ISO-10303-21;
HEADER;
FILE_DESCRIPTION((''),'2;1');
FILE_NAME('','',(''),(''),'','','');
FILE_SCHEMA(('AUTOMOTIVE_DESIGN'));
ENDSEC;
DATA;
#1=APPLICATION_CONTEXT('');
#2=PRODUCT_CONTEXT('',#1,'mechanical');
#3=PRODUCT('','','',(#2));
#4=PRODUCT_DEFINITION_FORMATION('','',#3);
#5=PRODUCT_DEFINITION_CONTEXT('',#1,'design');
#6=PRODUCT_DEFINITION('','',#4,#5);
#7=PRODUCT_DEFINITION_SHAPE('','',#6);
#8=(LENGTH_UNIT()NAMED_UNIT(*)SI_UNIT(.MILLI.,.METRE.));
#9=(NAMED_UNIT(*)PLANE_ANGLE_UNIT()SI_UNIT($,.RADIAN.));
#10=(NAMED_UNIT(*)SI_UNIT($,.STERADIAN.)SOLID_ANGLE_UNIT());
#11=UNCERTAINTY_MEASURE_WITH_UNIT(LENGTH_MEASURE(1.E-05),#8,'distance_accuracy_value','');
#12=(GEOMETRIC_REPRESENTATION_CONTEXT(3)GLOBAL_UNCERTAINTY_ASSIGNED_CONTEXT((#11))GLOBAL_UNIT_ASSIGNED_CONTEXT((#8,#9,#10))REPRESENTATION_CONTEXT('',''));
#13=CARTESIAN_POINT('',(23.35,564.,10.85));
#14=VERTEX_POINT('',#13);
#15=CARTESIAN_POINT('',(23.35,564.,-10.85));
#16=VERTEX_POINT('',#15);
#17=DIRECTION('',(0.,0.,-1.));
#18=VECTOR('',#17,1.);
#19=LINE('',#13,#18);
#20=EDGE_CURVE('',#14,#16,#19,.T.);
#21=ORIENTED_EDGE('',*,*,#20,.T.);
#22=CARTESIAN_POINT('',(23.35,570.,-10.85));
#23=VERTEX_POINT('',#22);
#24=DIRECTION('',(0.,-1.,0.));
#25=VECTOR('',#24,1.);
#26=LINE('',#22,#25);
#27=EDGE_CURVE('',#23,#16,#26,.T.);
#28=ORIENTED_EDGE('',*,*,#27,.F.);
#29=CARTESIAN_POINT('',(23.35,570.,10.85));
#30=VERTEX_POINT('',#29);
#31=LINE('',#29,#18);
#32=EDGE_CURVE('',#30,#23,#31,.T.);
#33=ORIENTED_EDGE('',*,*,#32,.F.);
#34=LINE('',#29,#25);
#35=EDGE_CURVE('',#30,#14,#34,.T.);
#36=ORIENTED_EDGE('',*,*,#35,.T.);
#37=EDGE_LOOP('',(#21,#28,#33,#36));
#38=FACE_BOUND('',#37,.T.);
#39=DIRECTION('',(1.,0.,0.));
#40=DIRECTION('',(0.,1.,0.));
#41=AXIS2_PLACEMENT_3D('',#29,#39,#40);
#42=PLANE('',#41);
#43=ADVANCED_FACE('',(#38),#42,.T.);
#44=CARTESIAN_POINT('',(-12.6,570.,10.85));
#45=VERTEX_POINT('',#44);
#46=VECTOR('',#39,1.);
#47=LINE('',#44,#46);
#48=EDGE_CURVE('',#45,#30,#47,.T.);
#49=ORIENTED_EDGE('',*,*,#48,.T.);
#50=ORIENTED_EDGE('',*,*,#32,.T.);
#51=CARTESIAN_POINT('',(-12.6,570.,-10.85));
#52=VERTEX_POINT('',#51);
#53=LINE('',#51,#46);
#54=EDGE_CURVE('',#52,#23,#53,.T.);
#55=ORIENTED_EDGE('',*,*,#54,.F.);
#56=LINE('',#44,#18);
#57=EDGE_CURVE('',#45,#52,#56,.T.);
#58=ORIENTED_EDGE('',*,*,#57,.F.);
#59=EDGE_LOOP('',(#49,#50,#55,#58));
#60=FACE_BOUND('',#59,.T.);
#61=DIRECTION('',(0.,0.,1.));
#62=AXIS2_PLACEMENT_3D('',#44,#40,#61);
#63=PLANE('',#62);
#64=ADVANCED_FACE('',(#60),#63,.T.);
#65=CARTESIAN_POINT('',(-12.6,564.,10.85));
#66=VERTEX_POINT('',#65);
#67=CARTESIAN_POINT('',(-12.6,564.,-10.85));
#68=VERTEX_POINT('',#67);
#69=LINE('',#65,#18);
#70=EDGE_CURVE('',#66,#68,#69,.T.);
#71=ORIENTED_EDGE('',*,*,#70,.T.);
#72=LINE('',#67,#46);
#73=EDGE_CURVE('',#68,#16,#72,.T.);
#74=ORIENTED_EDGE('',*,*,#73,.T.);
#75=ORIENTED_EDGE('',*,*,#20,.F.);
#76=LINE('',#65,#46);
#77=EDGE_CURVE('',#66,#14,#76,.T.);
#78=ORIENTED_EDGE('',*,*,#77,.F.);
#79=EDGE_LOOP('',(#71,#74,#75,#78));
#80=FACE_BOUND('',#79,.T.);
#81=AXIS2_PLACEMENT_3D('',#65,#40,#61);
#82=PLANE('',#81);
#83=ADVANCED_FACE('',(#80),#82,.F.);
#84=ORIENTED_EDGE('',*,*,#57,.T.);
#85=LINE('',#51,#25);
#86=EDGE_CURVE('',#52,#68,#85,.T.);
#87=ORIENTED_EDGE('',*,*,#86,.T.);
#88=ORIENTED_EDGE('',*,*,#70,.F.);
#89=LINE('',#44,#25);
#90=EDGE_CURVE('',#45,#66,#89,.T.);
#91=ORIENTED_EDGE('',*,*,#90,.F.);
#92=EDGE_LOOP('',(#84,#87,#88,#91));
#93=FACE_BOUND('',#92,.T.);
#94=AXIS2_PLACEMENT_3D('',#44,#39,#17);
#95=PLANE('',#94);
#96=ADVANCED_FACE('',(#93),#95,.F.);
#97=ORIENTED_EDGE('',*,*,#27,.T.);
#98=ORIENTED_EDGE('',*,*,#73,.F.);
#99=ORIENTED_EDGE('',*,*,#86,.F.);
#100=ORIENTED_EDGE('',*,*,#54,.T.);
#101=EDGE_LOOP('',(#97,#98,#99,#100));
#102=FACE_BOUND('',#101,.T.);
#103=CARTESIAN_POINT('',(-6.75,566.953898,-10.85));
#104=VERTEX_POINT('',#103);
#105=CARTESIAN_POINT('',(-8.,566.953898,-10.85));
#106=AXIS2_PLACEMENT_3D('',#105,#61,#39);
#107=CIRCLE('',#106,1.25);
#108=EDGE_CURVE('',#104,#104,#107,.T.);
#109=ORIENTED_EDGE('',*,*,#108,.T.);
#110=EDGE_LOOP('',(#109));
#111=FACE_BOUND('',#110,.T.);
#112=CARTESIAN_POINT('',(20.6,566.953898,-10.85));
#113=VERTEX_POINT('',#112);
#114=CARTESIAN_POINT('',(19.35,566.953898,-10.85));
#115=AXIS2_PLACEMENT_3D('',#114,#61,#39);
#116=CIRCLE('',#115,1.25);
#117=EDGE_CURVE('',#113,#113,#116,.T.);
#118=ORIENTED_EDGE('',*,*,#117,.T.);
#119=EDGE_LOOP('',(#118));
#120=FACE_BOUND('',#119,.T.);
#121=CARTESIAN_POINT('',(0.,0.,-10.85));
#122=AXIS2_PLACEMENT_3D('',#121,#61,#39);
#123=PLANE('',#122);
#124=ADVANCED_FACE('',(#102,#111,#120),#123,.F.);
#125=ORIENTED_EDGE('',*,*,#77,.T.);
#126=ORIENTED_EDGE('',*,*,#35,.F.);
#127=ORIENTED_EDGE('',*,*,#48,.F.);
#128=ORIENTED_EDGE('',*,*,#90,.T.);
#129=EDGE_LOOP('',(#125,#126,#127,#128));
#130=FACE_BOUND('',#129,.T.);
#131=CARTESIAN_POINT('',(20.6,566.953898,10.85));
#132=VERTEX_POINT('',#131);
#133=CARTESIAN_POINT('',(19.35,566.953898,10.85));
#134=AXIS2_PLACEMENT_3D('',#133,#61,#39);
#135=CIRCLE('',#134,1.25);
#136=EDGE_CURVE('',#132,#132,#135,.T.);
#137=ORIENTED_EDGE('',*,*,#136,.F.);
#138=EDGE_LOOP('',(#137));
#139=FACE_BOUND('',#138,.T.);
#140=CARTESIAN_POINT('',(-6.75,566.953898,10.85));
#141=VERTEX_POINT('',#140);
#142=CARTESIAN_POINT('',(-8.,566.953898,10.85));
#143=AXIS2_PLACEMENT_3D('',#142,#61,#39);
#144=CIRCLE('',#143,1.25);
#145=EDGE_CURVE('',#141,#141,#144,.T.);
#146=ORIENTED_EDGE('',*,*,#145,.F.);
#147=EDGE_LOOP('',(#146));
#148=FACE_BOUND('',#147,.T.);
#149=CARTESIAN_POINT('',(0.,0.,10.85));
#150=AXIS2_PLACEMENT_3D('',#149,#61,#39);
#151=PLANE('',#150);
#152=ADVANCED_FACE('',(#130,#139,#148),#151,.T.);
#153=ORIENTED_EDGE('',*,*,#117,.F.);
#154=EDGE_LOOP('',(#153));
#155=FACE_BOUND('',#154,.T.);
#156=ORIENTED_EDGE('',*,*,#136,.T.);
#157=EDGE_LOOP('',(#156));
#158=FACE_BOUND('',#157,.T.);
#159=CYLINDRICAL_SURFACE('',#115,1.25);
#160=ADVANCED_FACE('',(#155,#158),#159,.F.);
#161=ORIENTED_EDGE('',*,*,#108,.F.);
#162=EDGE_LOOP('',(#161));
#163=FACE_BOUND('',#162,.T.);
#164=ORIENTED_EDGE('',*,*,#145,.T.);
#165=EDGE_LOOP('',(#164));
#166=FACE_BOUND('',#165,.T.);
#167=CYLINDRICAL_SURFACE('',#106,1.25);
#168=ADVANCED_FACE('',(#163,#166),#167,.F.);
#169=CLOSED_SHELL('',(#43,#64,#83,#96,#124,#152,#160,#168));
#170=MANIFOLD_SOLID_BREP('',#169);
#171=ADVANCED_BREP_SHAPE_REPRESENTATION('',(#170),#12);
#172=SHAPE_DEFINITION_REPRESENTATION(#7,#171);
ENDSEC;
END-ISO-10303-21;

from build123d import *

# Parameters (mm, degrees)
SIDE_W                               = 35.95
SIDE_H                               = 6
AUFSATZ_LINEAR_AUSTRAGEN1_DEPTH      = 10.85
AUFSATZ_LINEAR_AUSTRAGEN1_DEPTH_BACK = 10.85
SKIZZE5_R                            = 1.25
SCHNITT_LINEAR_AUSTRAGEN1_DEPTH      = 11.85
SCHNITT_LINEAR_AUSTRAGEN1_DEPTH_BACK = 11.85


with BuildPart() as part:
    # Side → Aufsatz-Linear austragen1 (new body, two sides)
    with BuildSketch(Plane.XY) as aufsatz_linear_austragen1_sk:
        with Locations((5.375, 567)):
            Rectangle(SIDE_W, SIDE_H)
    extrude(amount=AUFSATZ_LINEAR_AUSTRAGEN1_DEPTH)
    extrude(aufsatz_linear_austragen1_sk.sketch, amount=-AUFSATZ_LINEAR_AUSTRAGEN1_DEPTH_BACK)

    # Skizze5 → Schnitt-Linear austragen1 (cut, two sides)
    with BuildSketch(Plane.XY) as schnitt_linear_austragen1_sk:
        with Locations((-8, 566.953897676)):
            Circle(SKIZZE5_R)
        with Locations((19.35, 566.953897676)):
            Circle(SKIZZE5_R)
    extrude(amount=SCHNITT_LINEAR_AUSTRAGEN1_DEPTH, mode=Mode.SUBTRACT)
    extrude(schnitt_linear_austragen1_sk.sketch, amount=-SCHNITT_LINEAR_AUSTRAGEN1_DEPTH_BACK, mode=Mode.SUBTRACT)


solid = part.part
